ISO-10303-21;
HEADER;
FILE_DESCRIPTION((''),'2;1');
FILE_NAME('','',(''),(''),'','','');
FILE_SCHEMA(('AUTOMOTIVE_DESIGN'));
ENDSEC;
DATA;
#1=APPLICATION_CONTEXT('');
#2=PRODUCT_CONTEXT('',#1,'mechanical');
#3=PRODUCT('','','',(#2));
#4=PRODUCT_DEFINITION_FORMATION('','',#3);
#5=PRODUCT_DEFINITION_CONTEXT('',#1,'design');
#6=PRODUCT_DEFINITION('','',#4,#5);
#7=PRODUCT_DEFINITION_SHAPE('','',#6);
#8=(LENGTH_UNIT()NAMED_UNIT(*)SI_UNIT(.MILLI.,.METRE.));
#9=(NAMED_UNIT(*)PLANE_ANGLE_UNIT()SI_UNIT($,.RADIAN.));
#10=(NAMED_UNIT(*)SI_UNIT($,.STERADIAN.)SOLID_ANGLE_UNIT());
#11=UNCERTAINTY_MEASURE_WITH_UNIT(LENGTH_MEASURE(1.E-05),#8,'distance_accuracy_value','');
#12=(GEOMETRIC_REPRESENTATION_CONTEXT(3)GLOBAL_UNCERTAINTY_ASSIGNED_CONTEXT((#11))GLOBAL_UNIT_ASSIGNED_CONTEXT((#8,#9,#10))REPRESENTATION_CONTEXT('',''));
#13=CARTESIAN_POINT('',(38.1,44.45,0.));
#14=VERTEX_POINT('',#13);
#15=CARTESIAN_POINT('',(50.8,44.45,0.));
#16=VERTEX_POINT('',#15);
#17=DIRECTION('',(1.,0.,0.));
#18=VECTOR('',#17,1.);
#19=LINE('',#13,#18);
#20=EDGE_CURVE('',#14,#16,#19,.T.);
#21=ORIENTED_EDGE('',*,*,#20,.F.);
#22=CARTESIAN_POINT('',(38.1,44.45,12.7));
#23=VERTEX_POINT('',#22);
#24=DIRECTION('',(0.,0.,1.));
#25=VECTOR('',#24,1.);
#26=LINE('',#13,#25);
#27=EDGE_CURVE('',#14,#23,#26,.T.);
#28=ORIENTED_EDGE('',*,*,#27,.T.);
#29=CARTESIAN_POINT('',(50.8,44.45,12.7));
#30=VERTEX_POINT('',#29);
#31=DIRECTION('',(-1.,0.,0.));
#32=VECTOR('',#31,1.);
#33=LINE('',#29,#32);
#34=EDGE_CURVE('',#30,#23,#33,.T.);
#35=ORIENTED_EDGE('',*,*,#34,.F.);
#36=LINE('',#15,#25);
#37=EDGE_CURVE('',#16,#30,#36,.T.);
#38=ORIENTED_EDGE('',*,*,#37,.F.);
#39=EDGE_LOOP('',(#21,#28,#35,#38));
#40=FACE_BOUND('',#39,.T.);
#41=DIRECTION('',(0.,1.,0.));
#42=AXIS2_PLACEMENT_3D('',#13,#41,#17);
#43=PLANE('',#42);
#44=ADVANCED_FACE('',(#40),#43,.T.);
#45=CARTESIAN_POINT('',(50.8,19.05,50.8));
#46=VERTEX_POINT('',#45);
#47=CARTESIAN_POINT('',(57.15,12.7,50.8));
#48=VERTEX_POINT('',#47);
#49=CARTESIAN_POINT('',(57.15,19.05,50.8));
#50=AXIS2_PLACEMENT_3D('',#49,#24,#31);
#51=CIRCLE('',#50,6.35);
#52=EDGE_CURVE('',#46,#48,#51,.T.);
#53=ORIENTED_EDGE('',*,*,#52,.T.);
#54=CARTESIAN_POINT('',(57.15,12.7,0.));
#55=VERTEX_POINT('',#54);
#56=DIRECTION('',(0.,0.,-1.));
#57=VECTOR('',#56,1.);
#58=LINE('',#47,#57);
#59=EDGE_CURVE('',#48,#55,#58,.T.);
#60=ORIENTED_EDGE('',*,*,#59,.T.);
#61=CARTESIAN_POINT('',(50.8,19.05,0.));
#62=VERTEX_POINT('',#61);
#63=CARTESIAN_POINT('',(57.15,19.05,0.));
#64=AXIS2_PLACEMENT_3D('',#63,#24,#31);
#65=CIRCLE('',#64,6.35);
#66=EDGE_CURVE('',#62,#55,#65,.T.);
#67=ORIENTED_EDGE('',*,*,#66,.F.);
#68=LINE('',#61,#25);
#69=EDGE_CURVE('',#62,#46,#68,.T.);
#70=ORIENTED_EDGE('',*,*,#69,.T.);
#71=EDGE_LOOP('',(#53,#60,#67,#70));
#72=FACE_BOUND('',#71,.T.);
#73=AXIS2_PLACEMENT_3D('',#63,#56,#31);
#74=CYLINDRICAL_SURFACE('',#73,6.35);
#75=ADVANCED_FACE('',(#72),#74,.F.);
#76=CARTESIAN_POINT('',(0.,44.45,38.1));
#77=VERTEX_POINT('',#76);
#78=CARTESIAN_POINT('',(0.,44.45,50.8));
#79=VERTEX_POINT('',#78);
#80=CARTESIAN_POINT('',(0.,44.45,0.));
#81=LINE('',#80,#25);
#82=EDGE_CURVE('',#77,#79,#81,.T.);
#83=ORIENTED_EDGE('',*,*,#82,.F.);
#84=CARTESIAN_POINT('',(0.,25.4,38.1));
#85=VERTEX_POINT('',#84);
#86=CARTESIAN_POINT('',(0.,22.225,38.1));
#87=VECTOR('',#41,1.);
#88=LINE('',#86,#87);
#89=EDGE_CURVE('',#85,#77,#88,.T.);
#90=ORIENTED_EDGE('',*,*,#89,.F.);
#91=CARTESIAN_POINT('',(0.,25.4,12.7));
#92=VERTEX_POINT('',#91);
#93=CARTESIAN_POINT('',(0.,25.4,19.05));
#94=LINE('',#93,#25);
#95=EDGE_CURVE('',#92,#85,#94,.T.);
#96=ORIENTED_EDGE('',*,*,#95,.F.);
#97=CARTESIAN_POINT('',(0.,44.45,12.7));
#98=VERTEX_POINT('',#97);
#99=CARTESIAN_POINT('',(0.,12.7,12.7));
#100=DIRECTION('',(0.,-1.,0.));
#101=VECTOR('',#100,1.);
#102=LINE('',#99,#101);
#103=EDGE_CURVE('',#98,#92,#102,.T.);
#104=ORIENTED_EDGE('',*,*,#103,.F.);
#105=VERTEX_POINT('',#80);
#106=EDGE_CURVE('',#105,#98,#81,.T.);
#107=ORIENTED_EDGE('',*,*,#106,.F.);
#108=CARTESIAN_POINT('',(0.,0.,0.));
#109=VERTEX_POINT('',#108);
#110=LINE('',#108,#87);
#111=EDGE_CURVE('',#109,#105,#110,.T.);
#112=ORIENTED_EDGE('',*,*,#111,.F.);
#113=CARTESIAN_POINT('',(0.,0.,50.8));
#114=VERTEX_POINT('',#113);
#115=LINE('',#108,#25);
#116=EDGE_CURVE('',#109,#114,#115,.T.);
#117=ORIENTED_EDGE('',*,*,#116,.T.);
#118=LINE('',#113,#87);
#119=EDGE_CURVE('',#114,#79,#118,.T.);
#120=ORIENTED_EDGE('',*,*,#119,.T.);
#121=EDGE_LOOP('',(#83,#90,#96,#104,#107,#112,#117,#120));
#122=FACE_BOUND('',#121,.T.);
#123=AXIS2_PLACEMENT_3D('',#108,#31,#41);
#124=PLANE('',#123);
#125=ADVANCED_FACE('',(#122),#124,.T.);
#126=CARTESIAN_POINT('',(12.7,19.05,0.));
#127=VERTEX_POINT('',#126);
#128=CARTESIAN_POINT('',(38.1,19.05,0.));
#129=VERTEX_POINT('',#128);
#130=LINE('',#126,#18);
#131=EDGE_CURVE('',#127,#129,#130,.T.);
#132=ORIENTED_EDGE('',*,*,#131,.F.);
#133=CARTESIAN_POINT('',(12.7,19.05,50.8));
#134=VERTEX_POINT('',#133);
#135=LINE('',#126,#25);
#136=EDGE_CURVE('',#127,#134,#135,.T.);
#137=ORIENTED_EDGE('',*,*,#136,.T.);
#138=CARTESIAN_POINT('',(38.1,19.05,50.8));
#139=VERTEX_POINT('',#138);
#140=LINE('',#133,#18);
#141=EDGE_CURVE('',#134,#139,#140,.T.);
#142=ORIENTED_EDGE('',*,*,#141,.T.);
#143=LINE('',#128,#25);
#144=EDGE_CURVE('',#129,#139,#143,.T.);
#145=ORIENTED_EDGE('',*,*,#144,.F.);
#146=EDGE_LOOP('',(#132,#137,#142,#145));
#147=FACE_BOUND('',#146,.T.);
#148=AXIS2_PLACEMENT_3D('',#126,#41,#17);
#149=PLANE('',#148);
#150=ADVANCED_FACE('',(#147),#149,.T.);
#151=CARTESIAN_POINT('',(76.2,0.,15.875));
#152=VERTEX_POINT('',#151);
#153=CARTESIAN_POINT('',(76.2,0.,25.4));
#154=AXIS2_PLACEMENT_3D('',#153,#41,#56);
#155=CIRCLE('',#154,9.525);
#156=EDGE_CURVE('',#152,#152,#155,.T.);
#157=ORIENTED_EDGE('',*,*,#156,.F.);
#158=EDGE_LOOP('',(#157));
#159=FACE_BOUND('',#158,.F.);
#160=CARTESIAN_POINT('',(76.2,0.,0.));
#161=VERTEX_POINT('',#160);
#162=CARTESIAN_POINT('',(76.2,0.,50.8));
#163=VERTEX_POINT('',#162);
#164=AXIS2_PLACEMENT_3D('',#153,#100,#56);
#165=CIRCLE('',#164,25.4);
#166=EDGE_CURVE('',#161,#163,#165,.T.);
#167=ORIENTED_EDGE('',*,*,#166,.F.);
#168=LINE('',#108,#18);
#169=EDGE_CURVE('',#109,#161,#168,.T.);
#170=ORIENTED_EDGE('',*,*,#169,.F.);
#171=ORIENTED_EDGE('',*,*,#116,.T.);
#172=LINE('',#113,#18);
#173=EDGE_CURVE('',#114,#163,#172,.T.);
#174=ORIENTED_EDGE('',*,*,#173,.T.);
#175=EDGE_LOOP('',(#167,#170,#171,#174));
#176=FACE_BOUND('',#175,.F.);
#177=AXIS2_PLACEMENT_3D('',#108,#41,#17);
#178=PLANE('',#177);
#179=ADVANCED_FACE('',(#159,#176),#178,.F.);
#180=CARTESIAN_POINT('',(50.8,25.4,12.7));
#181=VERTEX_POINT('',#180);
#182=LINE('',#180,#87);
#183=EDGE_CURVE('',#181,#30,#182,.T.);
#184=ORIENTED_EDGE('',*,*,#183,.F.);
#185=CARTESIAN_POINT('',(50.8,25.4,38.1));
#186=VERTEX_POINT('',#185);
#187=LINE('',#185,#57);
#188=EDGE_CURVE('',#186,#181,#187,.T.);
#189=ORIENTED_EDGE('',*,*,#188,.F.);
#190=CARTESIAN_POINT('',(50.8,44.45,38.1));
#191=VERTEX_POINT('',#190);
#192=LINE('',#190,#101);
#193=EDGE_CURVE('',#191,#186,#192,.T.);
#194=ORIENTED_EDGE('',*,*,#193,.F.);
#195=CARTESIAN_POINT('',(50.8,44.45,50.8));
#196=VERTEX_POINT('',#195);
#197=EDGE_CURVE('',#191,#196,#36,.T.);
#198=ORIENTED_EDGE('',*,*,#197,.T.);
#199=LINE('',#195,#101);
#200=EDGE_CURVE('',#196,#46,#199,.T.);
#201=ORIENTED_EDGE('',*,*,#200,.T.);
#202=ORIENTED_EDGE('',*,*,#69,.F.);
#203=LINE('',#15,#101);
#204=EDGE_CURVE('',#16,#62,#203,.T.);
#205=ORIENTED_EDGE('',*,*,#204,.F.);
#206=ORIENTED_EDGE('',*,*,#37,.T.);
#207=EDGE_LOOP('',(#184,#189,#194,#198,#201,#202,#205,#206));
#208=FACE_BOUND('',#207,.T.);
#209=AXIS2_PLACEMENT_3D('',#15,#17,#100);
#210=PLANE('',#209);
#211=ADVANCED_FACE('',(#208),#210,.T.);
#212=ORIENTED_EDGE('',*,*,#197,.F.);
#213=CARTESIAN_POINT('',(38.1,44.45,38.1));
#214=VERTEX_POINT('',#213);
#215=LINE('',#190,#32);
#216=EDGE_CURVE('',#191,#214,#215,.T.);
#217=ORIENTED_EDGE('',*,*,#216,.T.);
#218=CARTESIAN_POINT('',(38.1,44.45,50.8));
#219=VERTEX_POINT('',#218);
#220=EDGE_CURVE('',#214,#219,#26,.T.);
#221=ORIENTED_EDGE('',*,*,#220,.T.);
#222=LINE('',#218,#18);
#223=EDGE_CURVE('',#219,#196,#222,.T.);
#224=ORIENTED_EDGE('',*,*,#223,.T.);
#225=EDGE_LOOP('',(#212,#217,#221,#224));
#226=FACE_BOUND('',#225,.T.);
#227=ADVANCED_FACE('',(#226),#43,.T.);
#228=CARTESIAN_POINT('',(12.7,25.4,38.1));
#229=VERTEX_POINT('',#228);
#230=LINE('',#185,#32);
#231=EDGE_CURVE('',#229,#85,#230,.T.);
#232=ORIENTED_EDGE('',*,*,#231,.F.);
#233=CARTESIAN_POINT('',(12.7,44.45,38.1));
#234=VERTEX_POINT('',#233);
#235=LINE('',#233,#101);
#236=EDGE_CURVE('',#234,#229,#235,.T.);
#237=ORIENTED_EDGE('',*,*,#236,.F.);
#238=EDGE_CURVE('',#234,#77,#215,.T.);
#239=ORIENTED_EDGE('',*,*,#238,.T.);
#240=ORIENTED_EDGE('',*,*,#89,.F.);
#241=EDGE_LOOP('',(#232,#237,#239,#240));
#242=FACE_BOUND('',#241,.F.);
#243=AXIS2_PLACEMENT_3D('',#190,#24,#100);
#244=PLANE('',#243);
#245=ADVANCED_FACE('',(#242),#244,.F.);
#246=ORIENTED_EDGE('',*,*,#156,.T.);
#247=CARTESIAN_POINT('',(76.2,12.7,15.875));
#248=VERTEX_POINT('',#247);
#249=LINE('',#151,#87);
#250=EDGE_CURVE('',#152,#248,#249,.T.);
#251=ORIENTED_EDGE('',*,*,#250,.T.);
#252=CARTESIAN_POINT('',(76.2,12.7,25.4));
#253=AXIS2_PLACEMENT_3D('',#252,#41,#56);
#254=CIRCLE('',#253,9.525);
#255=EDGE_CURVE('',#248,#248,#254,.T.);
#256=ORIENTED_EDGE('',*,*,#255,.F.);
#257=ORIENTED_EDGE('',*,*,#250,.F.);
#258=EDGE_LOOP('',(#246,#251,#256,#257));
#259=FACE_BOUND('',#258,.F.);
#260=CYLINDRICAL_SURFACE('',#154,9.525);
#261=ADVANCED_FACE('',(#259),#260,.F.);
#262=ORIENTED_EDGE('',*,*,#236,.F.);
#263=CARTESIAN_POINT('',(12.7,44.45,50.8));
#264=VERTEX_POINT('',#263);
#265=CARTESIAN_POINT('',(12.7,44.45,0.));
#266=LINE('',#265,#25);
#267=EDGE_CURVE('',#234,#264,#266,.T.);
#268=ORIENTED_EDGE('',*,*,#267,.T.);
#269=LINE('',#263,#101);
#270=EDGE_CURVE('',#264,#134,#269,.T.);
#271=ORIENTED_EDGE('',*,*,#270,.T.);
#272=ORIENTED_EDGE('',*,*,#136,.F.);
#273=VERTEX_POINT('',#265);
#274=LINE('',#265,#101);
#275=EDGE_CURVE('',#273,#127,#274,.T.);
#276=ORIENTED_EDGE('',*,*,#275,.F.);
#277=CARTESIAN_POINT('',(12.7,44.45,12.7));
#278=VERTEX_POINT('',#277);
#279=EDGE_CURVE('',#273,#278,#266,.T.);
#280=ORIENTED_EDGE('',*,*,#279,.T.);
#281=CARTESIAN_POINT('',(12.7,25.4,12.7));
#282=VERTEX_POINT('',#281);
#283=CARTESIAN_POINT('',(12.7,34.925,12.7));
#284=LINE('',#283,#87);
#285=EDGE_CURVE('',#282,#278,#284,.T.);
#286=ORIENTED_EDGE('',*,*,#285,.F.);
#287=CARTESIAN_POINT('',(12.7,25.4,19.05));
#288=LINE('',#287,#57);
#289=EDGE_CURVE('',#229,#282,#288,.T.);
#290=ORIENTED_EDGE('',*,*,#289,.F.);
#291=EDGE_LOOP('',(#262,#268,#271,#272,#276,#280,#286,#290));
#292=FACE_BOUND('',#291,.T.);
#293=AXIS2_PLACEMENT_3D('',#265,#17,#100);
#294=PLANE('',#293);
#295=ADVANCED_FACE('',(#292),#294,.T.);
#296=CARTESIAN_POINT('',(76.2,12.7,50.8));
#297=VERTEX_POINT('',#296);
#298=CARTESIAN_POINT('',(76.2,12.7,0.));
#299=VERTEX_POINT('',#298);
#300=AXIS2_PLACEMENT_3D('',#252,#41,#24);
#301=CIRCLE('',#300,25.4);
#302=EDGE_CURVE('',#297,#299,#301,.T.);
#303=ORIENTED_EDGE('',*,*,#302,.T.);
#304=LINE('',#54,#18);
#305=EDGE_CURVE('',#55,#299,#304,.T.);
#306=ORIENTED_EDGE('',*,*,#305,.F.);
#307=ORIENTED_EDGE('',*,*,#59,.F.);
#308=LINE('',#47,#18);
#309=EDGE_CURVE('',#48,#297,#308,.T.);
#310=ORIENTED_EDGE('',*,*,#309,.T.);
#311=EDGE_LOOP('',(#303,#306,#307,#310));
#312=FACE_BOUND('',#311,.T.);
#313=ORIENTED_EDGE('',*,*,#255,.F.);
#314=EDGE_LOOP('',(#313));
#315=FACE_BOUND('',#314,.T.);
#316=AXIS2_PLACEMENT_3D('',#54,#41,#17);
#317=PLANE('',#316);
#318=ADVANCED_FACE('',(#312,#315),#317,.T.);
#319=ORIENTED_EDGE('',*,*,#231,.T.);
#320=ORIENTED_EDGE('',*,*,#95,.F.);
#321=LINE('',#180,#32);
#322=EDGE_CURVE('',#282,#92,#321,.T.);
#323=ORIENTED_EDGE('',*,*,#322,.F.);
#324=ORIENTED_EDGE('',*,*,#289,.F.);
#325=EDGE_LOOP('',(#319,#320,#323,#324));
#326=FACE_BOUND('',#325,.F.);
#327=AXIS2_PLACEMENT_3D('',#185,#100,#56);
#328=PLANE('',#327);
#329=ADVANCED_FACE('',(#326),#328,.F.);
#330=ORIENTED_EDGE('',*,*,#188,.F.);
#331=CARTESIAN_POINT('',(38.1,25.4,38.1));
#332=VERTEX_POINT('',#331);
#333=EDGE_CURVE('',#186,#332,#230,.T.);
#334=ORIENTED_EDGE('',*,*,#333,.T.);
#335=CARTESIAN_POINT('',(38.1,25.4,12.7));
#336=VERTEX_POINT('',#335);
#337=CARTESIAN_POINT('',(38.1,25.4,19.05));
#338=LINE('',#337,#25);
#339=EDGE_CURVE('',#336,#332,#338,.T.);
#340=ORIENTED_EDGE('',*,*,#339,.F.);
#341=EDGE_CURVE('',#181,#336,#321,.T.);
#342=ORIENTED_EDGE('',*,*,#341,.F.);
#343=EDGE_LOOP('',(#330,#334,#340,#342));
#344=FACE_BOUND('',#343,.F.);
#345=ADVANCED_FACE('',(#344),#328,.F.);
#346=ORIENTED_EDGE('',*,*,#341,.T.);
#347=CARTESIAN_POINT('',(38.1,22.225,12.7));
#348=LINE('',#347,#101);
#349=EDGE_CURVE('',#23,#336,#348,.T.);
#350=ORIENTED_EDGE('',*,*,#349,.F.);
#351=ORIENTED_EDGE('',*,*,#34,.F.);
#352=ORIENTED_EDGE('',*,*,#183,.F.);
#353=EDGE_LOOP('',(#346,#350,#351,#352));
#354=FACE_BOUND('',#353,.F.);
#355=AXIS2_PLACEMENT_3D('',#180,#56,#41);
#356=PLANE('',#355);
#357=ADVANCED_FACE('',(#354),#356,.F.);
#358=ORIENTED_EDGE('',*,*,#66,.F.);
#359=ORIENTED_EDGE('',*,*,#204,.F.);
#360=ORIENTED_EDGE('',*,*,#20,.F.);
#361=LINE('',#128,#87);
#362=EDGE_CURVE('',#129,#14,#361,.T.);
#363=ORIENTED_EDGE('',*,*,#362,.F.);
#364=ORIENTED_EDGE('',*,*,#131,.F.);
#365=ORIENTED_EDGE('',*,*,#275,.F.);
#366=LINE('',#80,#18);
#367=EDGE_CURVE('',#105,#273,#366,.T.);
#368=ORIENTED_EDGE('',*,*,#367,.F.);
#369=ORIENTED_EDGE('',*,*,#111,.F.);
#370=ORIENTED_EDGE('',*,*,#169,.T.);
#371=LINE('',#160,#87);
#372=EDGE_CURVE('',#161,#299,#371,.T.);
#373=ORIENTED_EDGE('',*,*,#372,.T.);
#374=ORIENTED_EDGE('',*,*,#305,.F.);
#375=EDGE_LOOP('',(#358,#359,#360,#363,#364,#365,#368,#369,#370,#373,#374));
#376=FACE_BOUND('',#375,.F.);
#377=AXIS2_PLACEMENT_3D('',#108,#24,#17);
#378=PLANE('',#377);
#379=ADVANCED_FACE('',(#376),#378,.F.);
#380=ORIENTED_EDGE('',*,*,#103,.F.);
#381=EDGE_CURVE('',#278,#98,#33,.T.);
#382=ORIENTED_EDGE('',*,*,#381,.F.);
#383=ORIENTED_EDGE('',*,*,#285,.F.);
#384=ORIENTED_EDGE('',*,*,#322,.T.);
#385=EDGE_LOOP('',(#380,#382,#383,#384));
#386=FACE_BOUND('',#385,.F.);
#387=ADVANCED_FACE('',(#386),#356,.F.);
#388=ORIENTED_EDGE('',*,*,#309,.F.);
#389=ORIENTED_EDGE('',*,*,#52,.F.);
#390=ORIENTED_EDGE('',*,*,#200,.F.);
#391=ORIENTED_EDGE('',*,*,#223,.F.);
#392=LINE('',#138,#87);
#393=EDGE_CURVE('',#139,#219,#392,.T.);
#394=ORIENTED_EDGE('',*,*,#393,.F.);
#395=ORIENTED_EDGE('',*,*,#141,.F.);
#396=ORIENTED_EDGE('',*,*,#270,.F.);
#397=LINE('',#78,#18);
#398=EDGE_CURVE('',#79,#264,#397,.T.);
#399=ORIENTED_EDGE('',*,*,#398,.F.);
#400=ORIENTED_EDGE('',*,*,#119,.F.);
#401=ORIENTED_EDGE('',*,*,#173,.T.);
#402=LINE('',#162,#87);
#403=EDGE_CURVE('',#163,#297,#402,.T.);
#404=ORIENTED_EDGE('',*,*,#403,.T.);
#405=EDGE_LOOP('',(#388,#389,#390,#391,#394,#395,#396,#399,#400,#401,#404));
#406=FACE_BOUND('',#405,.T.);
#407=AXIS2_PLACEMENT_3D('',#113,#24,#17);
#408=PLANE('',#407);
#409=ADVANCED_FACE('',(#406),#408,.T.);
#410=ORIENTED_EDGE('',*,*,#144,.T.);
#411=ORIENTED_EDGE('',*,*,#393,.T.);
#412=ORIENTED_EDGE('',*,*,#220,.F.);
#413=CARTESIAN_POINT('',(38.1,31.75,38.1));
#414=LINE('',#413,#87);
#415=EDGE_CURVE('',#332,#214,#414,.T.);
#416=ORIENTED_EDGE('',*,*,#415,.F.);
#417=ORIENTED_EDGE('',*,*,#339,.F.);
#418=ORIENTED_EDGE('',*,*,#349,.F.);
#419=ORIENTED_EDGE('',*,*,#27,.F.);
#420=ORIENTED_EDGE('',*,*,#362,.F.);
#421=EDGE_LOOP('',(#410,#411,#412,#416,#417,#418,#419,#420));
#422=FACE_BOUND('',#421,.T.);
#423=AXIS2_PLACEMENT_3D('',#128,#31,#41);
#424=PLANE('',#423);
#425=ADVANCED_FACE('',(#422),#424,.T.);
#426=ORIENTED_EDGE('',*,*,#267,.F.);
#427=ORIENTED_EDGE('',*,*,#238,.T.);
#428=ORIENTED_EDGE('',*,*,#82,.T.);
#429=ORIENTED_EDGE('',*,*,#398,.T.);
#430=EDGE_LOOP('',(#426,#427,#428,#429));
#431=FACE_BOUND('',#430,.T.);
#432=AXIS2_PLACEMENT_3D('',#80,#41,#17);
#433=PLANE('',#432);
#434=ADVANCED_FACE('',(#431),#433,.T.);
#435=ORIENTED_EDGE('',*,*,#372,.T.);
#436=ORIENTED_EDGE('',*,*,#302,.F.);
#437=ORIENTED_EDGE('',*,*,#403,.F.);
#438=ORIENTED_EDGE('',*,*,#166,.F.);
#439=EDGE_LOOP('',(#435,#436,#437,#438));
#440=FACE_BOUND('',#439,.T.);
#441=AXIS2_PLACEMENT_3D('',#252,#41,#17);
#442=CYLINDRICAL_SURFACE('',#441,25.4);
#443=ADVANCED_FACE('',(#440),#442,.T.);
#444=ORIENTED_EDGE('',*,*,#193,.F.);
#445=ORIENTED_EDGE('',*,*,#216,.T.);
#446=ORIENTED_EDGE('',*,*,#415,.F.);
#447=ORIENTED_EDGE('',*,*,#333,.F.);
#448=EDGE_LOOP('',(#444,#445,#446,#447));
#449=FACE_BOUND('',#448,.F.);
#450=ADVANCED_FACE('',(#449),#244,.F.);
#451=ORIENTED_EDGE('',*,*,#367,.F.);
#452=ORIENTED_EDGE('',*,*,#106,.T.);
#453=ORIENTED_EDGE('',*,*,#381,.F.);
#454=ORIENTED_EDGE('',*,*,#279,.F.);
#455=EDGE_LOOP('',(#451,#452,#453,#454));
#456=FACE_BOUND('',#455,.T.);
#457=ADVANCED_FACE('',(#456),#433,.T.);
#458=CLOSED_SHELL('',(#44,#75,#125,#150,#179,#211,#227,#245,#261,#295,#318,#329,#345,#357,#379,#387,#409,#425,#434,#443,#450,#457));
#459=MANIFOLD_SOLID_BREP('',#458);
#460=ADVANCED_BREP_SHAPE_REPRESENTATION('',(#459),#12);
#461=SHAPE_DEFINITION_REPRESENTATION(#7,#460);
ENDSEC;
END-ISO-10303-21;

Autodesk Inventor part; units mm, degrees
ref_plane "YZ Plane" through (0, 0, 0) normal (1, 0, 0) x (0, 1, 0)
ref_plane "XZ Plane" through (0, 0, 0) normal (0, 1, 0) x (-1, 0, 0)
ref_plane "XY Plane" through (0, 0, 0) normal (0, 0, 1) x (1, 0, 0)
sketch "Sketch1" plane through (0, 0, 0) normal (0, 0, 1) x (1, 0, 0)
  line L0 (0, 0) -> (76.2, 0)
  line L1 (76.2, 0) -> (76.2, 12.7)
  line L2 (0, 0) -> (0, 44.45)
  line L3 (0, 44.45) -> (12.7, 44.45)
  line L4 (12.7, 44.45) -> (12.7, 19.05)
  line L5 (12.7, 19.05) -> (38.1, 19.05)
  line L6 (38.1, 19.05) -> (38.1, 44.45)
  line L7 (38.1, 44.45) -> (50.8, 44.45)
  line L8 (50.8, 44.45) -> (50.8, 19.05)
  line L9 (57.15, 12.7) -> (76.2, 12.7)
  arc A0 (50.8, 19.05) -> (57.15, 12.7) centre (57.15, 19.05) ccw
  point P0 (50.8, 12.7)
  dimension "d1" = 12.7
  dimension "d2" = 44.45
  dimension "d3" = 12.7
  dimension "d6" = 12.7
  dimension "d7" = 76.2
  dimension "d8" = 50.8
  dimension "d9" = 19.05
  dimension "d28" = 6.35
extrude "Base" add sketch "Sketch1" along normal blind 50.8
sketch "Sketch2" plane through (50.8, 12.7, 0) normal (0, 1, 0) x (1, 0, 0)
  line L0 (25.4, 0) -> (25.4, -50.8) projected
  circle A0 centre (25.4, -25.4) radius 25.4
  point P0 (-50.8, 0)
extrude "Ciclre" add sketch "Sketch2" against normal blind 12.7
hole "Hole1" at (76.2, 0, 25.4) direction (0, 1, 0) diameter 19.05 end through all
sketch "Sketch4" plane through (50.8, 12.7, 0) normal (1, 0, 0) x (0, 0, -1)
  line L0 (-50.8, 31.75) -> (-38.1, 31.75)
  line L1 (0, 31.75) -> (-50.8, 31.75) projected
  line L2 (-38.1, 31.75) -> (-38.1, 12.7)
  line L3 (-38.1, 12.7) -> (-12.7, 12.7)
  line L4 (-12.7, 12.7) -> (-12.7, 31.75)
  line L5 (-38.1, 31.75) -> (-12.7, 31.75)
  line L6 (0, 31.75) -> (-50.8, 31.75) projected
  point P0 (0, -12.7)
  dimension "d23" = 12.7
  dimension "d24" = 19.05
  dimension "d25" = 25.4
extrude "Extrusion3" cut sketch "Sketch4" against normal through all
properties part number "tut" material "Titanium"
